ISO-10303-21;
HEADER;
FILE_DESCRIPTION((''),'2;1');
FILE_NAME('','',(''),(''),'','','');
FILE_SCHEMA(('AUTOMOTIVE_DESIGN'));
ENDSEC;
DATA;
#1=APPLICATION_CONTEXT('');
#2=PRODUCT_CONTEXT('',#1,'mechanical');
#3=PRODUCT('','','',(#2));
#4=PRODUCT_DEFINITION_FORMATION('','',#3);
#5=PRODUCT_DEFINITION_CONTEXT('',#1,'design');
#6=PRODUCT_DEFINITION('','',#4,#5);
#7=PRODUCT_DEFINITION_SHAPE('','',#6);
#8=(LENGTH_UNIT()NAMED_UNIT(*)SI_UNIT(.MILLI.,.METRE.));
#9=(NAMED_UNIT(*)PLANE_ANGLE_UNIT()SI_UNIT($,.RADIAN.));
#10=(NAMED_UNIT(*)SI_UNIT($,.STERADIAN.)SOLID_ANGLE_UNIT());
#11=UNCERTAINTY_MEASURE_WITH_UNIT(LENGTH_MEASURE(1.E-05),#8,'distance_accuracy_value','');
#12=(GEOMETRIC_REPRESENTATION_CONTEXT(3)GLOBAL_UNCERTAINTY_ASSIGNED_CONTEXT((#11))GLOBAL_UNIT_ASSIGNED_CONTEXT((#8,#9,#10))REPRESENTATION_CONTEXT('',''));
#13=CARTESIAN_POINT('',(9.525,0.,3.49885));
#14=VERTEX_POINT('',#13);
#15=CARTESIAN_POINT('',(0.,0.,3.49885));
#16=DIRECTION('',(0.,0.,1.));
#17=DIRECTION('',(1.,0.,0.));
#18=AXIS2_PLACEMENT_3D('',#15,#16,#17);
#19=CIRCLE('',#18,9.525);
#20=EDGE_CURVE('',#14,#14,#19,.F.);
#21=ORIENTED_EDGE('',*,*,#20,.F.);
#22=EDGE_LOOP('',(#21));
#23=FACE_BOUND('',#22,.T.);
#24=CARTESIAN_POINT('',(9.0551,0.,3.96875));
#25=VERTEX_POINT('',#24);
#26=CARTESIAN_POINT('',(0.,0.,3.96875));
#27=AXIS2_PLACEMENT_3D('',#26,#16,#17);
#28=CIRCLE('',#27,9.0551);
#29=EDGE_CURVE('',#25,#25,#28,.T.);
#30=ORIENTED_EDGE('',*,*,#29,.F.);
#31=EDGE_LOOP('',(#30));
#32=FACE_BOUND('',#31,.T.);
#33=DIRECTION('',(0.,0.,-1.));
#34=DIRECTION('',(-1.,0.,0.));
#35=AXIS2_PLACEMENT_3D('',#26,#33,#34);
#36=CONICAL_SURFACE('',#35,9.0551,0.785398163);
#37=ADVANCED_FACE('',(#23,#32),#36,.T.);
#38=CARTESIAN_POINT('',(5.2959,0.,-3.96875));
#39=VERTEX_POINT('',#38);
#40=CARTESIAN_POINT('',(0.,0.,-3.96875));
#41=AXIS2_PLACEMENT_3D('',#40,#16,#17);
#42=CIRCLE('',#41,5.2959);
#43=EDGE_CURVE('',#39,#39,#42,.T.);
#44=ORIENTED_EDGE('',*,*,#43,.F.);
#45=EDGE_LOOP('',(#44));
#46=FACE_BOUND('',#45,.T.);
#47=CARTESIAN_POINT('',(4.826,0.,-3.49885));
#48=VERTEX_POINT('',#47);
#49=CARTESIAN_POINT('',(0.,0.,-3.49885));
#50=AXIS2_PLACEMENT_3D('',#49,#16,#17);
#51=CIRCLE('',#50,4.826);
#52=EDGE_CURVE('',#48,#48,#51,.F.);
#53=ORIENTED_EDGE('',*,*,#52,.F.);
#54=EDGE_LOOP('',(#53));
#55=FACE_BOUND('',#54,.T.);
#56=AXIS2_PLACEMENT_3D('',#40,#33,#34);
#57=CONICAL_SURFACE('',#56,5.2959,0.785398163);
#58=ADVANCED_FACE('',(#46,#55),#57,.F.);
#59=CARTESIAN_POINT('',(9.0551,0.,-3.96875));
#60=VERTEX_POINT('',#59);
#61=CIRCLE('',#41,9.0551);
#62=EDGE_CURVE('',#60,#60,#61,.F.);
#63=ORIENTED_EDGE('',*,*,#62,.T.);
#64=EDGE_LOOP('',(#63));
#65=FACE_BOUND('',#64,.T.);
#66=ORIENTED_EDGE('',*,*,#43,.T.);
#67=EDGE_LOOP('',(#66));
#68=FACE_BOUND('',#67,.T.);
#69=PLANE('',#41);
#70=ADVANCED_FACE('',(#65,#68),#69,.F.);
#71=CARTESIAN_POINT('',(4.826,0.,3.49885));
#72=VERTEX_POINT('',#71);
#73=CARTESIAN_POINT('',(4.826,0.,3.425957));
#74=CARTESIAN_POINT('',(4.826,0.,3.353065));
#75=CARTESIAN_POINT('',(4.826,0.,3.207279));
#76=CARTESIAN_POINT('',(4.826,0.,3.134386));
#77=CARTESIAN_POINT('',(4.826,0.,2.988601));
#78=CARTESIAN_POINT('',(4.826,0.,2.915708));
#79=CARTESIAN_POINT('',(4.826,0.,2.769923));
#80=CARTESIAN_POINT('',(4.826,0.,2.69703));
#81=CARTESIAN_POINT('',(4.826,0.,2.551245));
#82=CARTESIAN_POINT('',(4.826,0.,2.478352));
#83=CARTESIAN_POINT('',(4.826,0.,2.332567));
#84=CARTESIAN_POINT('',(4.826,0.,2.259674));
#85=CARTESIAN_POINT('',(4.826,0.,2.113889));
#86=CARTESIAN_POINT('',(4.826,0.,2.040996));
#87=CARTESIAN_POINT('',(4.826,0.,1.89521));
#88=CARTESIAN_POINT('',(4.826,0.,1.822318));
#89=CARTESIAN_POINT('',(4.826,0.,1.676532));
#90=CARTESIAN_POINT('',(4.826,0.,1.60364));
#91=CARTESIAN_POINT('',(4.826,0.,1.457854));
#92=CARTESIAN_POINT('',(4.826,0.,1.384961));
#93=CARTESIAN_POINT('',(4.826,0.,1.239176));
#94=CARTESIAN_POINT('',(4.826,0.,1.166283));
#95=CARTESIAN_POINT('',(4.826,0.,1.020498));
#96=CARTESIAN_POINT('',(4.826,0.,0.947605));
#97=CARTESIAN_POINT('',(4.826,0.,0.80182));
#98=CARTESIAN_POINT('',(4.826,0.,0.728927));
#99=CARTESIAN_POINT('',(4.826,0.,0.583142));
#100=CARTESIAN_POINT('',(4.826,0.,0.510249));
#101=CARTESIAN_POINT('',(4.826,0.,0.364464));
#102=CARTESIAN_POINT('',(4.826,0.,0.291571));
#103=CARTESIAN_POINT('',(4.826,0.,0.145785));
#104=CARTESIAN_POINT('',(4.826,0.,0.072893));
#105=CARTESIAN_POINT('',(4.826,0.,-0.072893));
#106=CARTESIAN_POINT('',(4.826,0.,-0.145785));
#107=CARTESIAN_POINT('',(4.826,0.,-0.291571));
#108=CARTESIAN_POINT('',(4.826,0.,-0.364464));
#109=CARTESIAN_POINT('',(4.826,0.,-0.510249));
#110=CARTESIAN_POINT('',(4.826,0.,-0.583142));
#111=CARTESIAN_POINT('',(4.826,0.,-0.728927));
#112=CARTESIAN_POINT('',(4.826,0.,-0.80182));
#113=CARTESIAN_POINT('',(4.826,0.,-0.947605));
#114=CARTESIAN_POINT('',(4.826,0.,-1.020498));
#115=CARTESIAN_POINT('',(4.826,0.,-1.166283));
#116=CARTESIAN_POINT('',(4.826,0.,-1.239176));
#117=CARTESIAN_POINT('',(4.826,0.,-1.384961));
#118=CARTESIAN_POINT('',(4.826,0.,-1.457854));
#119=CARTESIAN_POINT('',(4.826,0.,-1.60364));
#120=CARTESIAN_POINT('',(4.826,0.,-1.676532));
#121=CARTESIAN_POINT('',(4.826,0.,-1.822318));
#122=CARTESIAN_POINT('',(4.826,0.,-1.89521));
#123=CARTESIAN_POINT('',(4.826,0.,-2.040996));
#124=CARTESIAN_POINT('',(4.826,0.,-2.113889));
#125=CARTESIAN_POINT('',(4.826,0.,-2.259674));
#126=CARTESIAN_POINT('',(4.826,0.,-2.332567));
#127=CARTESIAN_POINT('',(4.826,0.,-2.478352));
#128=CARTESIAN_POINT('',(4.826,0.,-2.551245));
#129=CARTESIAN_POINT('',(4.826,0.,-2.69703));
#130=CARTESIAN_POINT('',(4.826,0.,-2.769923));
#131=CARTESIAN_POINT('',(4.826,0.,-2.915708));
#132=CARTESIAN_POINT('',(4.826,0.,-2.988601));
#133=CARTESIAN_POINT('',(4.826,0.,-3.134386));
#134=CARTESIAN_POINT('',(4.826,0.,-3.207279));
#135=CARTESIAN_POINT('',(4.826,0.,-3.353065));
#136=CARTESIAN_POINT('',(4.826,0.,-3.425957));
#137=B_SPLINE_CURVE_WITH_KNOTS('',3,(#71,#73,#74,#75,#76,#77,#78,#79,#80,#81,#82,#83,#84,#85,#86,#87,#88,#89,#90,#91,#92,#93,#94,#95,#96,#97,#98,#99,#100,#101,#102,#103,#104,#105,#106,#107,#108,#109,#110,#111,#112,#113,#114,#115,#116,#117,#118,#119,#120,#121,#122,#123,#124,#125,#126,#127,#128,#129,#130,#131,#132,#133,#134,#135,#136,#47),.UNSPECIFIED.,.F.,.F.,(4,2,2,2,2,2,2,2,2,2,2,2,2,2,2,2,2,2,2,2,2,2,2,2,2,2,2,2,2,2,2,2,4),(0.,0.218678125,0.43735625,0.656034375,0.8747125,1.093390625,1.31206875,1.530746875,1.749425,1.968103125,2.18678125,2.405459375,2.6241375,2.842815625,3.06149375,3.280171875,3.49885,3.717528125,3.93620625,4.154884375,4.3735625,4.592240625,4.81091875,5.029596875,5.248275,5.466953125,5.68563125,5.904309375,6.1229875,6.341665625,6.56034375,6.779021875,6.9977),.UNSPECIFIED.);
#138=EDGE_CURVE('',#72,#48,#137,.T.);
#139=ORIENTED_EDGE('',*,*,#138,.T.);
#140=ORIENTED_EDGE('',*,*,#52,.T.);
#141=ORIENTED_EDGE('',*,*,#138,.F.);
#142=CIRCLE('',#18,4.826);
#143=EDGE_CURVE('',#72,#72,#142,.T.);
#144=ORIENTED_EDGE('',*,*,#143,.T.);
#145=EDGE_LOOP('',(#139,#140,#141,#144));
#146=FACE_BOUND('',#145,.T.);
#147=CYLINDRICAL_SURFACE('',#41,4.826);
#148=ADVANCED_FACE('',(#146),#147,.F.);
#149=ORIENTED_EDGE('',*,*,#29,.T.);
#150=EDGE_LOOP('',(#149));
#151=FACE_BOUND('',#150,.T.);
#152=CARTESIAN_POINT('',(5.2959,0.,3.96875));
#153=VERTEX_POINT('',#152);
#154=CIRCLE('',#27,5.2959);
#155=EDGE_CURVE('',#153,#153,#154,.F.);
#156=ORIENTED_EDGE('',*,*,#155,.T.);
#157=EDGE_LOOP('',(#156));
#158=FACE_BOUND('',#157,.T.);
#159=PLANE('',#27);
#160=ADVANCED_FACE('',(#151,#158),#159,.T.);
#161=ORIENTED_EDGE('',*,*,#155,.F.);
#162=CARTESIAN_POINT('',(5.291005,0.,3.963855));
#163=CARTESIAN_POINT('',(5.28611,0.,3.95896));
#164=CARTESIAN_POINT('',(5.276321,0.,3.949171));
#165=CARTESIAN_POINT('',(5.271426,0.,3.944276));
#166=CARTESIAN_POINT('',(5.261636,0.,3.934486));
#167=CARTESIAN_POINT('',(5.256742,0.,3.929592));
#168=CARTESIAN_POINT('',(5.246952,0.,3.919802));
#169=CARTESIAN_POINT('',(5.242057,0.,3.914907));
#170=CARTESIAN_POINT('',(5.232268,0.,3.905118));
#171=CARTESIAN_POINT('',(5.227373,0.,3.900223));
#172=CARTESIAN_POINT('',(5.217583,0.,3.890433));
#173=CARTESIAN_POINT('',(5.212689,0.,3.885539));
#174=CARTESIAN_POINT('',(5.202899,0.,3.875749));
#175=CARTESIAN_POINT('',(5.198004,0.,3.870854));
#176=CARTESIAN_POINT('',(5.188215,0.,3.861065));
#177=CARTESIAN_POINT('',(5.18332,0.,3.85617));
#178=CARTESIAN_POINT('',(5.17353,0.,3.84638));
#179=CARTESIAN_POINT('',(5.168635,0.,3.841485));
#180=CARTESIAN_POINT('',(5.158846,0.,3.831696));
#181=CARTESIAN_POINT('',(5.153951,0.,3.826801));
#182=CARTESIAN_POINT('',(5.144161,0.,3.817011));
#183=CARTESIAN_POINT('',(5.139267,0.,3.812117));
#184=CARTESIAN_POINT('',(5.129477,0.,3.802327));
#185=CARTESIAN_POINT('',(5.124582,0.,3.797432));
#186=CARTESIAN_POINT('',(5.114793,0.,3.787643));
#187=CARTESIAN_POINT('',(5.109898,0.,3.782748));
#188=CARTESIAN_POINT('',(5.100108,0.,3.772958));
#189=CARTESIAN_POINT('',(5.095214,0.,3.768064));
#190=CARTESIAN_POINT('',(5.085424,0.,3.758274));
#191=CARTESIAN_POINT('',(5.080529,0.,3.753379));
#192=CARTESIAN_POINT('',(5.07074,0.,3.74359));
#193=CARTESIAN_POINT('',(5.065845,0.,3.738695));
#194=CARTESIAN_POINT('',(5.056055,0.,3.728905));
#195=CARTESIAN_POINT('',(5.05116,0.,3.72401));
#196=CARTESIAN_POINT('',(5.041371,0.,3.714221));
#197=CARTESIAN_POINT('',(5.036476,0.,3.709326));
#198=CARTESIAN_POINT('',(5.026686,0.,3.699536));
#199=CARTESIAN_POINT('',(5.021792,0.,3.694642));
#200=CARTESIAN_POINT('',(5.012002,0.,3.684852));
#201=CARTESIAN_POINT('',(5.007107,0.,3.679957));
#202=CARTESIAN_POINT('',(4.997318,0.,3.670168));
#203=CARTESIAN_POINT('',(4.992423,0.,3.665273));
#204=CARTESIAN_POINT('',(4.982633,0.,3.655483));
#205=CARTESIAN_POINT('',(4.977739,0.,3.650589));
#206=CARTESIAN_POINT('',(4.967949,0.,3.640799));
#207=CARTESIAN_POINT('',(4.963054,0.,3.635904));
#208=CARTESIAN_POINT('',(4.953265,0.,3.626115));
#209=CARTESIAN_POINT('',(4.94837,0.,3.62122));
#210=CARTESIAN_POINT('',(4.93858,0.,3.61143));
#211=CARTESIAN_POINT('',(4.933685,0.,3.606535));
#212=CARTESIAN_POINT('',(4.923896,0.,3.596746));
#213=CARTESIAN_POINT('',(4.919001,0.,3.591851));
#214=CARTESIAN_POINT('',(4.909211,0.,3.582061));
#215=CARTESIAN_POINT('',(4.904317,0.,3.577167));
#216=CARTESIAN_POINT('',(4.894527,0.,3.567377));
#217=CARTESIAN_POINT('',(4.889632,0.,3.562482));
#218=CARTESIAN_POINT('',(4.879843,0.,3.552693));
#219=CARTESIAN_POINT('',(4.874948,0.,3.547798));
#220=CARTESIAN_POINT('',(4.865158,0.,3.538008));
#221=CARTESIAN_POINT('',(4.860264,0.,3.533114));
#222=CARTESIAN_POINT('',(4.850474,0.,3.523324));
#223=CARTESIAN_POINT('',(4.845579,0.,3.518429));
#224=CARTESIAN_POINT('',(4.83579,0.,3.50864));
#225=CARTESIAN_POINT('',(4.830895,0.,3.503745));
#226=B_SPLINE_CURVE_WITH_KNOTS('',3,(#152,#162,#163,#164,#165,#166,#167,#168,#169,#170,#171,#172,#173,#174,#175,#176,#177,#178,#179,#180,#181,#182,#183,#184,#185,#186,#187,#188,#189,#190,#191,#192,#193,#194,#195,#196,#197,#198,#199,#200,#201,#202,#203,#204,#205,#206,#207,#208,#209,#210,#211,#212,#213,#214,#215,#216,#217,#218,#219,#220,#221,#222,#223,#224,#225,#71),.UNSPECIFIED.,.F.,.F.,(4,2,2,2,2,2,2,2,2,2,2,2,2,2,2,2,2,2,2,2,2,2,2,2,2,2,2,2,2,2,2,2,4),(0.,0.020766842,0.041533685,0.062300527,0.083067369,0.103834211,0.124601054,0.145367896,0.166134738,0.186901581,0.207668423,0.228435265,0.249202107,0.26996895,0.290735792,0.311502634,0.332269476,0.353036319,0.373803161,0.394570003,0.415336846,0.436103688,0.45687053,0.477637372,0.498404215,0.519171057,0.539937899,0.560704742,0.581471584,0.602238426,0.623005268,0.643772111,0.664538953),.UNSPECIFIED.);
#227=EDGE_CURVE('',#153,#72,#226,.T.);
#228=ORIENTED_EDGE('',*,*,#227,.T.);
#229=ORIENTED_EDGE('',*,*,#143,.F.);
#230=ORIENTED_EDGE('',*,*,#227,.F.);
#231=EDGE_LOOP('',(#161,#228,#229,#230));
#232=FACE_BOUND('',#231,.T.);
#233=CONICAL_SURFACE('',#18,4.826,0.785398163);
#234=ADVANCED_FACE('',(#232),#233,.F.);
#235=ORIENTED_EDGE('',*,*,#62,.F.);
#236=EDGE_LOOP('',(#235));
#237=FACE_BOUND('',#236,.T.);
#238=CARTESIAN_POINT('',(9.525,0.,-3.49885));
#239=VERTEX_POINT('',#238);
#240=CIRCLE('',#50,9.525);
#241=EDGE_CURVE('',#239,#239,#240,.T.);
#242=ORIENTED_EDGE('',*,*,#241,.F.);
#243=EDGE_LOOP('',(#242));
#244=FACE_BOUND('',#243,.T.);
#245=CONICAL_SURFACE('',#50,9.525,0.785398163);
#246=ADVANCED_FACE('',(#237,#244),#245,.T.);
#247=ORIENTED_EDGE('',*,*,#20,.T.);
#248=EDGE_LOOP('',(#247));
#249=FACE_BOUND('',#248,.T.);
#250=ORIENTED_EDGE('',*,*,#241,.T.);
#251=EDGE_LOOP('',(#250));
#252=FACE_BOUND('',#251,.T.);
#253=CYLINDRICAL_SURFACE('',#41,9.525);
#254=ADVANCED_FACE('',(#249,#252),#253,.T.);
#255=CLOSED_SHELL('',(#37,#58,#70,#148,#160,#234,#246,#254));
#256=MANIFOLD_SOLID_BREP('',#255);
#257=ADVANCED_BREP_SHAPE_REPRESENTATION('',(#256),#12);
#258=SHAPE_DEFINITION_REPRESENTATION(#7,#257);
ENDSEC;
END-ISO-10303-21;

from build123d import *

# Parameters (mm, degrees)
BOSS_EXTRUDE1_DEPTH      = 3.96875
BOSS_EXTRUDE1_DEPTH_BACK = 3.96875
SKETCH3_R                = 9.525
SKETCH3_R_2              = 4.826
CHAMFER1_SIZE            = 0.4699


with BuildPart() as part:
    # Sketch3 → Boss-Extrude1 (new, two sides: drawn at the far end of the back side and taken through both)
    with BuildSketch(Plane.XY.offset(-BOSS_EXTRUDE1_DEPTH_BACK)):
        Circle(SKETCH3_R)
        Circle(SKETCH3_R_2, mode=Mode.SUBTRACT)
    extrude(amount=BOSS_EXTRUDE1_DEPTH + BOSS_EXTRUDE1_DEPTH_BACK)

    # Chamfer1
    chamfer1_edges = [part.edges().sort_by_distance(p)[0] for p in [
        (-9.525, 0, -3.96875),
        (-4.826, 0, -3.96875),
        (-9.525, 0, 3.96875),
        (-4.826, 0, 3.96875),
    ]]
    chamfer(chamfer1_edges, length=CHAMFER1_SIZE)


solid = part.part
